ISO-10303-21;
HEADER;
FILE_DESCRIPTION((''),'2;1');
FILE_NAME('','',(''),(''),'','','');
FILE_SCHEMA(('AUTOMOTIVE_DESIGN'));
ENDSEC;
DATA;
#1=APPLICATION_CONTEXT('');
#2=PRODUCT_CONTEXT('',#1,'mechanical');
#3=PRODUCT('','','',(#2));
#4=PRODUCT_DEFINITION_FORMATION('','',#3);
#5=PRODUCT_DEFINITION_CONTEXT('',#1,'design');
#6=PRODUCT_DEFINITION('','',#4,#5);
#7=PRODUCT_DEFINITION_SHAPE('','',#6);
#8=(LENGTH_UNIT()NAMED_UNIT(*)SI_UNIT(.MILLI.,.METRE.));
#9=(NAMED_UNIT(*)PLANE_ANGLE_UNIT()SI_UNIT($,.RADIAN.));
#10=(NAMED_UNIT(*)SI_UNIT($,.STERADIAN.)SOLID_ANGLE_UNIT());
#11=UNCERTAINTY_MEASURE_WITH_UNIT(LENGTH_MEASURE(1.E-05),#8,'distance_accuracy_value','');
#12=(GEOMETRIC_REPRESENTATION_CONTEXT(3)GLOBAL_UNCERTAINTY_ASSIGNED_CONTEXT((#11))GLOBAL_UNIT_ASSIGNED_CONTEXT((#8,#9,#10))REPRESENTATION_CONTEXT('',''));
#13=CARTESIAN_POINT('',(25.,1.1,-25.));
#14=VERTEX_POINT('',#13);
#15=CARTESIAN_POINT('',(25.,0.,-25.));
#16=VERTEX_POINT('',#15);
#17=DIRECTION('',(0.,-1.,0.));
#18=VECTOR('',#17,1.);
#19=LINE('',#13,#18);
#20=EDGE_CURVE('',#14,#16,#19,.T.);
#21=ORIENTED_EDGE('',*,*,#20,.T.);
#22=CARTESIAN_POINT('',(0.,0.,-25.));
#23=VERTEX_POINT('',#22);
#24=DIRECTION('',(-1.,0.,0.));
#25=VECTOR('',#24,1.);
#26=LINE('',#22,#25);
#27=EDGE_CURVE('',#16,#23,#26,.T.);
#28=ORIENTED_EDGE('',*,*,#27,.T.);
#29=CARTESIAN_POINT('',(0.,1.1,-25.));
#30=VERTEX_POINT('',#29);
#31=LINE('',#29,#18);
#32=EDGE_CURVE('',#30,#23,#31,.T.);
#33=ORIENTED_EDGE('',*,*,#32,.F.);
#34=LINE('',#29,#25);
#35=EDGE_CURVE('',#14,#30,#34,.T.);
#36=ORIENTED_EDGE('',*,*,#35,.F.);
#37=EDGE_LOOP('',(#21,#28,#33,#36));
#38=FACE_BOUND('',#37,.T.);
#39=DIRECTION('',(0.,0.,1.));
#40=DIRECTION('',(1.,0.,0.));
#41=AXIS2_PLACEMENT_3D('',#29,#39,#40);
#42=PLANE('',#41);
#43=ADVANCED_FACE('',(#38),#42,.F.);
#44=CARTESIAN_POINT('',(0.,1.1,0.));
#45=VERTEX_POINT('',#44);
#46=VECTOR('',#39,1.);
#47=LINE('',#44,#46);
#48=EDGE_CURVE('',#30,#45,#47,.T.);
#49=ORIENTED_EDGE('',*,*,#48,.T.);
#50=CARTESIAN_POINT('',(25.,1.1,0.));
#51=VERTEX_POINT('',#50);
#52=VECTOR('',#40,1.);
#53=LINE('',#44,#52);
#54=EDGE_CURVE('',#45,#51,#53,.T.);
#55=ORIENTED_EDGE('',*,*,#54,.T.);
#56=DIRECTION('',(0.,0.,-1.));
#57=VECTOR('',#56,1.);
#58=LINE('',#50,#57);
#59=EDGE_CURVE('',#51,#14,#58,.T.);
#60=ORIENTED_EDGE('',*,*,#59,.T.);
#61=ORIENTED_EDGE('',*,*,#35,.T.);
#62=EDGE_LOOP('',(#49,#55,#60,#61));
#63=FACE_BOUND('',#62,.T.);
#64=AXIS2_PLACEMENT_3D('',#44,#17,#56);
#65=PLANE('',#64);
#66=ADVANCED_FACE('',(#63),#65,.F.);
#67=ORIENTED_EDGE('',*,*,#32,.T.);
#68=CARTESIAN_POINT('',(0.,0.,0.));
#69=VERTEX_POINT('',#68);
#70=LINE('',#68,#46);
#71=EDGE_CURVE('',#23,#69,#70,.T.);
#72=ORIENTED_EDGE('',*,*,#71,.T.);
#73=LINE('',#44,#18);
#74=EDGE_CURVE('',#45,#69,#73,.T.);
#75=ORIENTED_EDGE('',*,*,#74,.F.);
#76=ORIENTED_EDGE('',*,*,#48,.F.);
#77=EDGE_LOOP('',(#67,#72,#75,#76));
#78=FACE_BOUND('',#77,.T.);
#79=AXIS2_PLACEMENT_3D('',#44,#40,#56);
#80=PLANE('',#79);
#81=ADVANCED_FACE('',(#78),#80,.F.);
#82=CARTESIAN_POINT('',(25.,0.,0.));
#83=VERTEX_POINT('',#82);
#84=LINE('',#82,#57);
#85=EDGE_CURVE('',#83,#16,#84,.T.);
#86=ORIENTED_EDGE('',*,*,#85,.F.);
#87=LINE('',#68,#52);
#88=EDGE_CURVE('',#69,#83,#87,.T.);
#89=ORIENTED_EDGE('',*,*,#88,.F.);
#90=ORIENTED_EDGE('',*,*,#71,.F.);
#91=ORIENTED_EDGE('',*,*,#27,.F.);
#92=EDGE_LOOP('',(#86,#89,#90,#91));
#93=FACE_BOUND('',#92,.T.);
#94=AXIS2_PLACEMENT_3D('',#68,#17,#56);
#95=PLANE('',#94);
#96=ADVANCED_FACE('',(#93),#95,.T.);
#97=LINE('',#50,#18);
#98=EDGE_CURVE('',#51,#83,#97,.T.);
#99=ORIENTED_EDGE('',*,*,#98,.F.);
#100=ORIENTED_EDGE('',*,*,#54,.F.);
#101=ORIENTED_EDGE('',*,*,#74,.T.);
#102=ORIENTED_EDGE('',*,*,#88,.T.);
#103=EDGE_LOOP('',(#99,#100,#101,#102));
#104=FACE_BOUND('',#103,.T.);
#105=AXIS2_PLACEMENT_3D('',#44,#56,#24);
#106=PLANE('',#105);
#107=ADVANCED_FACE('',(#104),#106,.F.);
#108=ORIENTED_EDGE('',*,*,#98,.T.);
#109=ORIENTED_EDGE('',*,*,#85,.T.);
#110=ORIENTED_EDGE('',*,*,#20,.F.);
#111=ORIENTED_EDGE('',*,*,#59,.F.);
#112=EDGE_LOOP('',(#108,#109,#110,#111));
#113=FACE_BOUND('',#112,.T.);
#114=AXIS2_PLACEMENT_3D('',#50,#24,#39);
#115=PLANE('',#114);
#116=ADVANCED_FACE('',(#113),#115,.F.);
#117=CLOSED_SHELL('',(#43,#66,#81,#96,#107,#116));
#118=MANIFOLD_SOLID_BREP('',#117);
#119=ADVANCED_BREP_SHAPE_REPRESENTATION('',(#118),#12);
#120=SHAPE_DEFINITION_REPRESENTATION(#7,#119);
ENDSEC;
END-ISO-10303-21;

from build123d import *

# Parameters (mm, degrees)
SKETCH_1_W      = 25
SKETCH_1_H      = 25
EXTRUDE_1_DEPTH = 1.1


with BuildPart() as part:
    # 草图1 → 凸台-拉伸1 (new body)
    with BuildSketch(Plane(origin=(0, 0, 0), x_dir=(1, 0, 0), z_dir=(0, 1, 0))):
        with Locations((12.5, 12.5)):
            Rectangle(SKETCH_1_W, SKETCH_1_H)
    extrude(amount=EXTRUDE_1_DEPTH)


solid = part.part
